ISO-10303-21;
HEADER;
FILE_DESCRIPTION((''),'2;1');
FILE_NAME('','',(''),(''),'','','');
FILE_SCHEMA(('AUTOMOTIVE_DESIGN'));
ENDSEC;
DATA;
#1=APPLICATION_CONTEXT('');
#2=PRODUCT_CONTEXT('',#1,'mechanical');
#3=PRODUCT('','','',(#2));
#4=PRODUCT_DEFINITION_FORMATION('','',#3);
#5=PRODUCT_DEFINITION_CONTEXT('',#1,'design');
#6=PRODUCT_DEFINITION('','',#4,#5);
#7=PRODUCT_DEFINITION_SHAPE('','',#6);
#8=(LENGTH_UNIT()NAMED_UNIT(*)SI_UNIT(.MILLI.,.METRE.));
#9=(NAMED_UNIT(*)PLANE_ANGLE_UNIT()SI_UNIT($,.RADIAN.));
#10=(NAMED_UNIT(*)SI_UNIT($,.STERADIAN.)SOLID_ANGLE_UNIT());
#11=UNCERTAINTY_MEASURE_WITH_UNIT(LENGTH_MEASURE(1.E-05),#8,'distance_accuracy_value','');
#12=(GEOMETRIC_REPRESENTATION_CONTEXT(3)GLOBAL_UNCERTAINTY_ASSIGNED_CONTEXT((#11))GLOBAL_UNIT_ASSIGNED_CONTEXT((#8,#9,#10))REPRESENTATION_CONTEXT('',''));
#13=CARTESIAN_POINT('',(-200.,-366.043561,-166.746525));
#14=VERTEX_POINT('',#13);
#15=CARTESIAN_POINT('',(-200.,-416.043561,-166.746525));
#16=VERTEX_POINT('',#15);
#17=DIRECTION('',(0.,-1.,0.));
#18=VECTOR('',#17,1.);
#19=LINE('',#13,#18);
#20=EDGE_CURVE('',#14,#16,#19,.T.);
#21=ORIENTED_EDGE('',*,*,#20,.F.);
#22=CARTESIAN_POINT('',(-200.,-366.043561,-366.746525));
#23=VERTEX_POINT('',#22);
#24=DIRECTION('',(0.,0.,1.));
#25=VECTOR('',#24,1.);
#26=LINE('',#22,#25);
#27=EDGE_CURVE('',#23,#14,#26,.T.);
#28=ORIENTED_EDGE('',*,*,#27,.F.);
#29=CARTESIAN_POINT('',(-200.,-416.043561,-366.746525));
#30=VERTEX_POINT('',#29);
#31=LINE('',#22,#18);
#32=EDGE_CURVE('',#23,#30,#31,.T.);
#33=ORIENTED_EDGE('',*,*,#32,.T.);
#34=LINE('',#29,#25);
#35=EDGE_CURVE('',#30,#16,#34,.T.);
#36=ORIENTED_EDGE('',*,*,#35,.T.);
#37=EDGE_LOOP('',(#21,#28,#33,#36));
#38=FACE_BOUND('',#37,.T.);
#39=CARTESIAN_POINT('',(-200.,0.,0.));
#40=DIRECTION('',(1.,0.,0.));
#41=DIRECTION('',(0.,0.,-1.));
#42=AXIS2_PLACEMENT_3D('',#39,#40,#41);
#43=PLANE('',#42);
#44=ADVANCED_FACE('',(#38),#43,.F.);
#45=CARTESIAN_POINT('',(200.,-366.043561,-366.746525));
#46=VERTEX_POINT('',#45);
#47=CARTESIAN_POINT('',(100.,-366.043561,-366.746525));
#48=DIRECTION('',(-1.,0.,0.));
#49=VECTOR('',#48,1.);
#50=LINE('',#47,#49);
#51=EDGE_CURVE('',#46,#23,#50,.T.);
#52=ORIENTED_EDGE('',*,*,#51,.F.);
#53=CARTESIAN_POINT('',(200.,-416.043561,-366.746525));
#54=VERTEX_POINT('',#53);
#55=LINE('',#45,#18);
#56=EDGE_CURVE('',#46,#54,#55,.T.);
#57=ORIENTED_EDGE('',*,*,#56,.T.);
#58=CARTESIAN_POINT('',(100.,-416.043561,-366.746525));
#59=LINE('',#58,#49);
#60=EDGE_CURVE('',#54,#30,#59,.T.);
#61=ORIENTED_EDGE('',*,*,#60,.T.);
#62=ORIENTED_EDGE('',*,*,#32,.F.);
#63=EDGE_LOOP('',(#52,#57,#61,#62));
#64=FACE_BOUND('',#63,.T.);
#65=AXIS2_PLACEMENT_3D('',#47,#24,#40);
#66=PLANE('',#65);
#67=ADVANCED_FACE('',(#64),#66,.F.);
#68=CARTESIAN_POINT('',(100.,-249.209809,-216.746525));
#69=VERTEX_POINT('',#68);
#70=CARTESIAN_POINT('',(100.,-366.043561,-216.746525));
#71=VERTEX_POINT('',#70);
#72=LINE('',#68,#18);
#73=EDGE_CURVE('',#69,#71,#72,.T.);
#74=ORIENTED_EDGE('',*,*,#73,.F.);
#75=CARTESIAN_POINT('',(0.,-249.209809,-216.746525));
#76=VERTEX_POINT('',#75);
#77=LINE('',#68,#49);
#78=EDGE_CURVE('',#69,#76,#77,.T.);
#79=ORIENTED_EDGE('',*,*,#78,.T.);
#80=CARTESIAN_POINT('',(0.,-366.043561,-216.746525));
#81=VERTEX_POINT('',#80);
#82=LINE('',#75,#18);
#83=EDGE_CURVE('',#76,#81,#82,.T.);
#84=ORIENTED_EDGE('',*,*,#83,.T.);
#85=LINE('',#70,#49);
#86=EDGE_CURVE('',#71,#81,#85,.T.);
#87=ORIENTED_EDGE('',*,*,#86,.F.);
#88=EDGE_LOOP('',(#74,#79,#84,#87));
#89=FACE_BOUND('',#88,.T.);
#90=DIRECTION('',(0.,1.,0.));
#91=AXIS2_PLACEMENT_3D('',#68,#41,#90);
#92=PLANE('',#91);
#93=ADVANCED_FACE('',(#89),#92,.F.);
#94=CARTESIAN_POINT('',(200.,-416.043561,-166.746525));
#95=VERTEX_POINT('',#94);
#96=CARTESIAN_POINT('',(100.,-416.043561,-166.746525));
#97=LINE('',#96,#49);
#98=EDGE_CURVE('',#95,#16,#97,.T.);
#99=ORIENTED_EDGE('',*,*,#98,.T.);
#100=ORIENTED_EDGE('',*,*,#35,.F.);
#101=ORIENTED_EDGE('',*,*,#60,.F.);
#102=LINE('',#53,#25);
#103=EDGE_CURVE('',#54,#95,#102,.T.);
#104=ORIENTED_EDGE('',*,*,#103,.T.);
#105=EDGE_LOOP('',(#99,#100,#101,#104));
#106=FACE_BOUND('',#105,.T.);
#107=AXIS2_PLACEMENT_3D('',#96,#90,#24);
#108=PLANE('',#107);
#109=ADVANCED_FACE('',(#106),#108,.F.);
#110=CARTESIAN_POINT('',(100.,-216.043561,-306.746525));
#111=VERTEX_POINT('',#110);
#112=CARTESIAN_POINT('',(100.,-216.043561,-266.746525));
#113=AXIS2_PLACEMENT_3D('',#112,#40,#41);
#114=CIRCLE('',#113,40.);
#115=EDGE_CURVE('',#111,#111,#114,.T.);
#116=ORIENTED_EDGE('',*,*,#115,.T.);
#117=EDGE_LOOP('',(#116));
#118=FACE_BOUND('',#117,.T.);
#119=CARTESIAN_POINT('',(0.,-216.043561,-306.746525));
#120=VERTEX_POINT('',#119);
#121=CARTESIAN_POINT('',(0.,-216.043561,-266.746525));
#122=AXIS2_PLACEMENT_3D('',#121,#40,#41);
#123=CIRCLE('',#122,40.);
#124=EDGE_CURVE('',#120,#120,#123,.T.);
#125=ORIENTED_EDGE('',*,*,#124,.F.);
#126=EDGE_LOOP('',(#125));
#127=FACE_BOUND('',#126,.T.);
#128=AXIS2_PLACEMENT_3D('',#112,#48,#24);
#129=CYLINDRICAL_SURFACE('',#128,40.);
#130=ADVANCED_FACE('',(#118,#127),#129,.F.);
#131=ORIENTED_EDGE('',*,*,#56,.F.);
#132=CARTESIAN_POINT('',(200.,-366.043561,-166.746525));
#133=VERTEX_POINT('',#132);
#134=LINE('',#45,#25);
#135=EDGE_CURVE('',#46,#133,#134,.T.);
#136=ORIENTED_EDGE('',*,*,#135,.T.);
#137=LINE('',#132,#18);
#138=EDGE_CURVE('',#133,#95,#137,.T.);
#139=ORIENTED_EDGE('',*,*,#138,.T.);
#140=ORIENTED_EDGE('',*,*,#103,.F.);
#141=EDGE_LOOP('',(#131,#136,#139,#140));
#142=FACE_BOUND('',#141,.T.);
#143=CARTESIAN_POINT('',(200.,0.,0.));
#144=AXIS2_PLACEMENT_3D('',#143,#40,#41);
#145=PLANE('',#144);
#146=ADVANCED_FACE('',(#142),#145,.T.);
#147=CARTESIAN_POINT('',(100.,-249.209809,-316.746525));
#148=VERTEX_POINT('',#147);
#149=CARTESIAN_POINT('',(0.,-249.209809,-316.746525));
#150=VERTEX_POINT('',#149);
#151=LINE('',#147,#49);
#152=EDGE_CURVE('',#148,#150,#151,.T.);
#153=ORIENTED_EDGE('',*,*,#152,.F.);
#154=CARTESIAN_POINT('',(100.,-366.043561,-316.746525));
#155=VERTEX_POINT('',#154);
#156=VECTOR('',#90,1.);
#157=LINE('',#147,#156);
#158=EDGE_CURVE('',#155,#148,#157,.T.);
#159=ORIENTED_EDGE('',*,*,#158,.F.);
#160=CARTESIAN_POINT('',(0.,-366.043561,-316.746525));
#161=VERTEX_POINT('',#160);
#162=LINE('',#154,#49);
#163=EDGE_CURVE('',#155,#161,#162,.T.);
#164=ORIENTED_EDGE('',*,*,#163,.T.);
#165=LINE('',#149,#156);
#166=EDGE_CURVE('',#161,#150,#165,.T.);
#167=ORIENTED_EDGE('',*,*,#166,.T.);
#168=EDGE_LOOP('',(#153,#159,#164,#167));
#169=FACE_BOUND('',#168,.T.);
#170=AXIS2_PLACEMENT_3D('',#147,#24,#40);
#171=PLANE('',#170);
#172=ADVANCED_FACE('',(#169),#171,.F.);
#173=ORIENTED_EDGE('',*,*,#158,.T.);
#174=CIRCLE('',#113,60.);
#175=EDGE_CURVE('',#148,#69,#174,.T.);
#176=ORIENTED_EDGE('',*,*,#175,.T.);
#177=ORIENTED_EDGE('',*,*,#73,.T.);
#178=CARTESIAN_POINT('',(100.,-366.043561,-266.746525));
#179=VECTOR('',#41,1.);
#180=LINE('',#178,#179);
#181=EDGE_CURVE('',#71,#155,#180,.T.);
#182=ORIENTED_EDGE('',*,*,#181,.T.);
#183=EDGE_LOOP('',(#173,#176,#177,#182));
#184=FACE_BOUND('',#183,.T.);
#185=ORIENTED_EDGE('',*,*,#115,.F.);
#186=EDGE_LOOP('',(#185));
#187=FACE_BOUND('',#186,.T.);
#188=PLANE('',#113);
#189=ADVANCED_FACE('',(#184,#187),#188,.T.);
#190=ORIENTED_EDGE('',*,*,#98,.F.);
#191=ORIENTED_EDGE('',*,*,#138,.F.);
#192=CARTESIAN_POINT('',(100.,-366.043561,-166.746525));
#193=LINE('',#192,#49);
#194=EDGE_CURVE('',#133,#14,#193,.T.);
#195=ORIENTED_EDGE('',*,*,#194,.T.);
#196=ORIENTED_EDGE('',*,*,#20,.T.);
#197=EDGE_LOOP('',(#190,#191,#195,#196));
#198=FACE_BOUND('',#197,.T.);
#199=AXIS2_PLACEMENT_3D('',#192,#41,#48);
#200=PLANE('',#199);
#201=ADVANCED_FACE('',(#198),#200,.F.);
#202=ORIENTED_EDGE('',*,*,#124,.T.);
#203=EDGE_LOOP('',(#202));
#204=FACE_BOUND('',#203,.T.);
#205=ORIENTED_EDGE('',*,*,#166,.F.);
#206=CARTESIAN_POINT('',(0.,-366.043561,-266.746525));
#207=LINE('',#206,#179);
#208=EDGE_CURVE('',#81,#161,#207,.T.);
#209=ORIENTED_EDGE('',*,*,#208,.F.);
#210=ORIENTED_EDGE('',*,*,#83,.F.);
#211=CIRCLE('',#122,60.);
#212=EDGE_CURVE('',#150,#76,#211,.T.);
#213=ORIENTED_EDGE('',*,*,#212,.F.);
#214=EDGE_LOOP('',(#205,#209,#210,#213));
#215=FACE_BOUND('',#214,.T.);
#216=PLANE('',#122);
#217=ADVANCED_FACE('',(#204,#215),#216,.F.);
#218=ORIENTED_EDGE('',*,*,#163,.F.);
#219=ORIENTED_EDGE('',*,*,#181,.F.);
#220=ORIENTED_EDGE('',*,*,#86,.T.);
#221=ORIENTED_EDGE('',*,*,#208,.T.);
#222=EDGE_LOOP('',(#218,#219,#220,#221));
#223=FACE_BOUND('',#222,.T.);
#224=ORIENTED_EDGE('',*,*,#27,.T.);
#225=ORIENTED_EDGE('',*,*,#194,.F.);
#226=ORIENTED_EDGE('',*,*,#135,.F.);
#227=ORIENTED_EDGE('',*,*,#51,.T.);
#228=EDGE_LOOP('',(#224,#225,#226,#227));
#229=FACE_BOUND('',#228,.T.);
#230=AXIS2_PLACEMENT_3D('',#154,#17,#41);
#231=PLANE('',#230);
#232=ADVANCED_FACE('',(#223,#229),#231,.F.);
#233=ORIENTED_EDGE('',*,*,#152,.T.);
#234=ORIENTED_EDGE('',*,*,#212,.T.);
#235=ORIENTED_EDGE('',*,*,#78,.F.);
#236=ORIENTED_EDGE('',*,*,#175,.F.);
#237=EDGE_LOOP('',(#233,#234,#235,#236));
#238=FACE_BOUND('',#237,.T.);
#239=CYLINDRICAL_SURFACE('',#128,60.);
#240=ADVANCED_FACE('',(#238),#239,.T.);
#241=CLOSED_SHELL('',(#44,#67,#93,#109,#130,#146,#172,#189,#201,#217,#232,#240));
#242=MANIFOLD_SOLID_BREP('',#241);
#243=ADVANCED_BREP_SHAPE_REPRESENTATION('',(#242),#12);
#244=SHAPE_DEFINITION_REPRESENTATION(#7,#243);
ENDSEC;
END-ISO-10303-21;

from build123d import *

# Parameters (mm, degrees)
LINKFRAME_R         = 40
BOSS_EXTRUDE1_DEPTH = 100
EXTENDEDPRESS_W     = 200
EXTENDEDPRESS_H     = 50
BOSS_EXTRUDE2_DEPTH = 200


with BuildPart() as part:
    # LinkFrame → Boss-Extrude1 (new body)
    with BuildSketch(Plane(origin=(0, 0, 0), x_dir=(0, 0, -1), z_dir=(1, 0, 0))):
        with BuildLine():
            Line((316.746524862, -249.209808828), (316.746524862, -366.043560924))
            Line((316.746524862, -366.043560924), (366.746524862, -366.043560924))
            Line((366.746524862, -366.043560924), (366.746524862, -416.043560924))
            Line((366.746524862, -416.043560924), (166.746524862, -416.043560924))
            Line((166.746524862, -416.043560924), (166.746524862, -366.043560924))
            Line((166.746524862, -366.043560924), (216.746524862, -366.043560924))
            Line((216.746524862, -366.043560924), (216.746524862, -249.209808828))
            ThreePointArc((216.746524862, -249.209808828), (266.746524862, -156.043560924), (316.746524862, -249.209808828))
        make_face()
        with Locations((266.746524862, -216.043560924)):
            Circle(LINKFRAME_R, mode=Mode.SUBTRACT)
    extrude(amount=BOSS_EXTRUDE1_DEPTH)

    # ExtendedPress → Boss-Extrude2 (add, symmetric)
    with BuildSketch(Plane(origin=(0, 0, 0), x_dir=(0, 0, -1), z_dir=(1, 0, 0))):
        with Locations((266.746524862, -391.043560924)):
            Rectangle(EXTENDEDPRESS_W, EXTENDEDPRESS_H)
    extrude(amount=BOSS_EXTRUDE2_DEPTH, both=True)


solid = part.part
